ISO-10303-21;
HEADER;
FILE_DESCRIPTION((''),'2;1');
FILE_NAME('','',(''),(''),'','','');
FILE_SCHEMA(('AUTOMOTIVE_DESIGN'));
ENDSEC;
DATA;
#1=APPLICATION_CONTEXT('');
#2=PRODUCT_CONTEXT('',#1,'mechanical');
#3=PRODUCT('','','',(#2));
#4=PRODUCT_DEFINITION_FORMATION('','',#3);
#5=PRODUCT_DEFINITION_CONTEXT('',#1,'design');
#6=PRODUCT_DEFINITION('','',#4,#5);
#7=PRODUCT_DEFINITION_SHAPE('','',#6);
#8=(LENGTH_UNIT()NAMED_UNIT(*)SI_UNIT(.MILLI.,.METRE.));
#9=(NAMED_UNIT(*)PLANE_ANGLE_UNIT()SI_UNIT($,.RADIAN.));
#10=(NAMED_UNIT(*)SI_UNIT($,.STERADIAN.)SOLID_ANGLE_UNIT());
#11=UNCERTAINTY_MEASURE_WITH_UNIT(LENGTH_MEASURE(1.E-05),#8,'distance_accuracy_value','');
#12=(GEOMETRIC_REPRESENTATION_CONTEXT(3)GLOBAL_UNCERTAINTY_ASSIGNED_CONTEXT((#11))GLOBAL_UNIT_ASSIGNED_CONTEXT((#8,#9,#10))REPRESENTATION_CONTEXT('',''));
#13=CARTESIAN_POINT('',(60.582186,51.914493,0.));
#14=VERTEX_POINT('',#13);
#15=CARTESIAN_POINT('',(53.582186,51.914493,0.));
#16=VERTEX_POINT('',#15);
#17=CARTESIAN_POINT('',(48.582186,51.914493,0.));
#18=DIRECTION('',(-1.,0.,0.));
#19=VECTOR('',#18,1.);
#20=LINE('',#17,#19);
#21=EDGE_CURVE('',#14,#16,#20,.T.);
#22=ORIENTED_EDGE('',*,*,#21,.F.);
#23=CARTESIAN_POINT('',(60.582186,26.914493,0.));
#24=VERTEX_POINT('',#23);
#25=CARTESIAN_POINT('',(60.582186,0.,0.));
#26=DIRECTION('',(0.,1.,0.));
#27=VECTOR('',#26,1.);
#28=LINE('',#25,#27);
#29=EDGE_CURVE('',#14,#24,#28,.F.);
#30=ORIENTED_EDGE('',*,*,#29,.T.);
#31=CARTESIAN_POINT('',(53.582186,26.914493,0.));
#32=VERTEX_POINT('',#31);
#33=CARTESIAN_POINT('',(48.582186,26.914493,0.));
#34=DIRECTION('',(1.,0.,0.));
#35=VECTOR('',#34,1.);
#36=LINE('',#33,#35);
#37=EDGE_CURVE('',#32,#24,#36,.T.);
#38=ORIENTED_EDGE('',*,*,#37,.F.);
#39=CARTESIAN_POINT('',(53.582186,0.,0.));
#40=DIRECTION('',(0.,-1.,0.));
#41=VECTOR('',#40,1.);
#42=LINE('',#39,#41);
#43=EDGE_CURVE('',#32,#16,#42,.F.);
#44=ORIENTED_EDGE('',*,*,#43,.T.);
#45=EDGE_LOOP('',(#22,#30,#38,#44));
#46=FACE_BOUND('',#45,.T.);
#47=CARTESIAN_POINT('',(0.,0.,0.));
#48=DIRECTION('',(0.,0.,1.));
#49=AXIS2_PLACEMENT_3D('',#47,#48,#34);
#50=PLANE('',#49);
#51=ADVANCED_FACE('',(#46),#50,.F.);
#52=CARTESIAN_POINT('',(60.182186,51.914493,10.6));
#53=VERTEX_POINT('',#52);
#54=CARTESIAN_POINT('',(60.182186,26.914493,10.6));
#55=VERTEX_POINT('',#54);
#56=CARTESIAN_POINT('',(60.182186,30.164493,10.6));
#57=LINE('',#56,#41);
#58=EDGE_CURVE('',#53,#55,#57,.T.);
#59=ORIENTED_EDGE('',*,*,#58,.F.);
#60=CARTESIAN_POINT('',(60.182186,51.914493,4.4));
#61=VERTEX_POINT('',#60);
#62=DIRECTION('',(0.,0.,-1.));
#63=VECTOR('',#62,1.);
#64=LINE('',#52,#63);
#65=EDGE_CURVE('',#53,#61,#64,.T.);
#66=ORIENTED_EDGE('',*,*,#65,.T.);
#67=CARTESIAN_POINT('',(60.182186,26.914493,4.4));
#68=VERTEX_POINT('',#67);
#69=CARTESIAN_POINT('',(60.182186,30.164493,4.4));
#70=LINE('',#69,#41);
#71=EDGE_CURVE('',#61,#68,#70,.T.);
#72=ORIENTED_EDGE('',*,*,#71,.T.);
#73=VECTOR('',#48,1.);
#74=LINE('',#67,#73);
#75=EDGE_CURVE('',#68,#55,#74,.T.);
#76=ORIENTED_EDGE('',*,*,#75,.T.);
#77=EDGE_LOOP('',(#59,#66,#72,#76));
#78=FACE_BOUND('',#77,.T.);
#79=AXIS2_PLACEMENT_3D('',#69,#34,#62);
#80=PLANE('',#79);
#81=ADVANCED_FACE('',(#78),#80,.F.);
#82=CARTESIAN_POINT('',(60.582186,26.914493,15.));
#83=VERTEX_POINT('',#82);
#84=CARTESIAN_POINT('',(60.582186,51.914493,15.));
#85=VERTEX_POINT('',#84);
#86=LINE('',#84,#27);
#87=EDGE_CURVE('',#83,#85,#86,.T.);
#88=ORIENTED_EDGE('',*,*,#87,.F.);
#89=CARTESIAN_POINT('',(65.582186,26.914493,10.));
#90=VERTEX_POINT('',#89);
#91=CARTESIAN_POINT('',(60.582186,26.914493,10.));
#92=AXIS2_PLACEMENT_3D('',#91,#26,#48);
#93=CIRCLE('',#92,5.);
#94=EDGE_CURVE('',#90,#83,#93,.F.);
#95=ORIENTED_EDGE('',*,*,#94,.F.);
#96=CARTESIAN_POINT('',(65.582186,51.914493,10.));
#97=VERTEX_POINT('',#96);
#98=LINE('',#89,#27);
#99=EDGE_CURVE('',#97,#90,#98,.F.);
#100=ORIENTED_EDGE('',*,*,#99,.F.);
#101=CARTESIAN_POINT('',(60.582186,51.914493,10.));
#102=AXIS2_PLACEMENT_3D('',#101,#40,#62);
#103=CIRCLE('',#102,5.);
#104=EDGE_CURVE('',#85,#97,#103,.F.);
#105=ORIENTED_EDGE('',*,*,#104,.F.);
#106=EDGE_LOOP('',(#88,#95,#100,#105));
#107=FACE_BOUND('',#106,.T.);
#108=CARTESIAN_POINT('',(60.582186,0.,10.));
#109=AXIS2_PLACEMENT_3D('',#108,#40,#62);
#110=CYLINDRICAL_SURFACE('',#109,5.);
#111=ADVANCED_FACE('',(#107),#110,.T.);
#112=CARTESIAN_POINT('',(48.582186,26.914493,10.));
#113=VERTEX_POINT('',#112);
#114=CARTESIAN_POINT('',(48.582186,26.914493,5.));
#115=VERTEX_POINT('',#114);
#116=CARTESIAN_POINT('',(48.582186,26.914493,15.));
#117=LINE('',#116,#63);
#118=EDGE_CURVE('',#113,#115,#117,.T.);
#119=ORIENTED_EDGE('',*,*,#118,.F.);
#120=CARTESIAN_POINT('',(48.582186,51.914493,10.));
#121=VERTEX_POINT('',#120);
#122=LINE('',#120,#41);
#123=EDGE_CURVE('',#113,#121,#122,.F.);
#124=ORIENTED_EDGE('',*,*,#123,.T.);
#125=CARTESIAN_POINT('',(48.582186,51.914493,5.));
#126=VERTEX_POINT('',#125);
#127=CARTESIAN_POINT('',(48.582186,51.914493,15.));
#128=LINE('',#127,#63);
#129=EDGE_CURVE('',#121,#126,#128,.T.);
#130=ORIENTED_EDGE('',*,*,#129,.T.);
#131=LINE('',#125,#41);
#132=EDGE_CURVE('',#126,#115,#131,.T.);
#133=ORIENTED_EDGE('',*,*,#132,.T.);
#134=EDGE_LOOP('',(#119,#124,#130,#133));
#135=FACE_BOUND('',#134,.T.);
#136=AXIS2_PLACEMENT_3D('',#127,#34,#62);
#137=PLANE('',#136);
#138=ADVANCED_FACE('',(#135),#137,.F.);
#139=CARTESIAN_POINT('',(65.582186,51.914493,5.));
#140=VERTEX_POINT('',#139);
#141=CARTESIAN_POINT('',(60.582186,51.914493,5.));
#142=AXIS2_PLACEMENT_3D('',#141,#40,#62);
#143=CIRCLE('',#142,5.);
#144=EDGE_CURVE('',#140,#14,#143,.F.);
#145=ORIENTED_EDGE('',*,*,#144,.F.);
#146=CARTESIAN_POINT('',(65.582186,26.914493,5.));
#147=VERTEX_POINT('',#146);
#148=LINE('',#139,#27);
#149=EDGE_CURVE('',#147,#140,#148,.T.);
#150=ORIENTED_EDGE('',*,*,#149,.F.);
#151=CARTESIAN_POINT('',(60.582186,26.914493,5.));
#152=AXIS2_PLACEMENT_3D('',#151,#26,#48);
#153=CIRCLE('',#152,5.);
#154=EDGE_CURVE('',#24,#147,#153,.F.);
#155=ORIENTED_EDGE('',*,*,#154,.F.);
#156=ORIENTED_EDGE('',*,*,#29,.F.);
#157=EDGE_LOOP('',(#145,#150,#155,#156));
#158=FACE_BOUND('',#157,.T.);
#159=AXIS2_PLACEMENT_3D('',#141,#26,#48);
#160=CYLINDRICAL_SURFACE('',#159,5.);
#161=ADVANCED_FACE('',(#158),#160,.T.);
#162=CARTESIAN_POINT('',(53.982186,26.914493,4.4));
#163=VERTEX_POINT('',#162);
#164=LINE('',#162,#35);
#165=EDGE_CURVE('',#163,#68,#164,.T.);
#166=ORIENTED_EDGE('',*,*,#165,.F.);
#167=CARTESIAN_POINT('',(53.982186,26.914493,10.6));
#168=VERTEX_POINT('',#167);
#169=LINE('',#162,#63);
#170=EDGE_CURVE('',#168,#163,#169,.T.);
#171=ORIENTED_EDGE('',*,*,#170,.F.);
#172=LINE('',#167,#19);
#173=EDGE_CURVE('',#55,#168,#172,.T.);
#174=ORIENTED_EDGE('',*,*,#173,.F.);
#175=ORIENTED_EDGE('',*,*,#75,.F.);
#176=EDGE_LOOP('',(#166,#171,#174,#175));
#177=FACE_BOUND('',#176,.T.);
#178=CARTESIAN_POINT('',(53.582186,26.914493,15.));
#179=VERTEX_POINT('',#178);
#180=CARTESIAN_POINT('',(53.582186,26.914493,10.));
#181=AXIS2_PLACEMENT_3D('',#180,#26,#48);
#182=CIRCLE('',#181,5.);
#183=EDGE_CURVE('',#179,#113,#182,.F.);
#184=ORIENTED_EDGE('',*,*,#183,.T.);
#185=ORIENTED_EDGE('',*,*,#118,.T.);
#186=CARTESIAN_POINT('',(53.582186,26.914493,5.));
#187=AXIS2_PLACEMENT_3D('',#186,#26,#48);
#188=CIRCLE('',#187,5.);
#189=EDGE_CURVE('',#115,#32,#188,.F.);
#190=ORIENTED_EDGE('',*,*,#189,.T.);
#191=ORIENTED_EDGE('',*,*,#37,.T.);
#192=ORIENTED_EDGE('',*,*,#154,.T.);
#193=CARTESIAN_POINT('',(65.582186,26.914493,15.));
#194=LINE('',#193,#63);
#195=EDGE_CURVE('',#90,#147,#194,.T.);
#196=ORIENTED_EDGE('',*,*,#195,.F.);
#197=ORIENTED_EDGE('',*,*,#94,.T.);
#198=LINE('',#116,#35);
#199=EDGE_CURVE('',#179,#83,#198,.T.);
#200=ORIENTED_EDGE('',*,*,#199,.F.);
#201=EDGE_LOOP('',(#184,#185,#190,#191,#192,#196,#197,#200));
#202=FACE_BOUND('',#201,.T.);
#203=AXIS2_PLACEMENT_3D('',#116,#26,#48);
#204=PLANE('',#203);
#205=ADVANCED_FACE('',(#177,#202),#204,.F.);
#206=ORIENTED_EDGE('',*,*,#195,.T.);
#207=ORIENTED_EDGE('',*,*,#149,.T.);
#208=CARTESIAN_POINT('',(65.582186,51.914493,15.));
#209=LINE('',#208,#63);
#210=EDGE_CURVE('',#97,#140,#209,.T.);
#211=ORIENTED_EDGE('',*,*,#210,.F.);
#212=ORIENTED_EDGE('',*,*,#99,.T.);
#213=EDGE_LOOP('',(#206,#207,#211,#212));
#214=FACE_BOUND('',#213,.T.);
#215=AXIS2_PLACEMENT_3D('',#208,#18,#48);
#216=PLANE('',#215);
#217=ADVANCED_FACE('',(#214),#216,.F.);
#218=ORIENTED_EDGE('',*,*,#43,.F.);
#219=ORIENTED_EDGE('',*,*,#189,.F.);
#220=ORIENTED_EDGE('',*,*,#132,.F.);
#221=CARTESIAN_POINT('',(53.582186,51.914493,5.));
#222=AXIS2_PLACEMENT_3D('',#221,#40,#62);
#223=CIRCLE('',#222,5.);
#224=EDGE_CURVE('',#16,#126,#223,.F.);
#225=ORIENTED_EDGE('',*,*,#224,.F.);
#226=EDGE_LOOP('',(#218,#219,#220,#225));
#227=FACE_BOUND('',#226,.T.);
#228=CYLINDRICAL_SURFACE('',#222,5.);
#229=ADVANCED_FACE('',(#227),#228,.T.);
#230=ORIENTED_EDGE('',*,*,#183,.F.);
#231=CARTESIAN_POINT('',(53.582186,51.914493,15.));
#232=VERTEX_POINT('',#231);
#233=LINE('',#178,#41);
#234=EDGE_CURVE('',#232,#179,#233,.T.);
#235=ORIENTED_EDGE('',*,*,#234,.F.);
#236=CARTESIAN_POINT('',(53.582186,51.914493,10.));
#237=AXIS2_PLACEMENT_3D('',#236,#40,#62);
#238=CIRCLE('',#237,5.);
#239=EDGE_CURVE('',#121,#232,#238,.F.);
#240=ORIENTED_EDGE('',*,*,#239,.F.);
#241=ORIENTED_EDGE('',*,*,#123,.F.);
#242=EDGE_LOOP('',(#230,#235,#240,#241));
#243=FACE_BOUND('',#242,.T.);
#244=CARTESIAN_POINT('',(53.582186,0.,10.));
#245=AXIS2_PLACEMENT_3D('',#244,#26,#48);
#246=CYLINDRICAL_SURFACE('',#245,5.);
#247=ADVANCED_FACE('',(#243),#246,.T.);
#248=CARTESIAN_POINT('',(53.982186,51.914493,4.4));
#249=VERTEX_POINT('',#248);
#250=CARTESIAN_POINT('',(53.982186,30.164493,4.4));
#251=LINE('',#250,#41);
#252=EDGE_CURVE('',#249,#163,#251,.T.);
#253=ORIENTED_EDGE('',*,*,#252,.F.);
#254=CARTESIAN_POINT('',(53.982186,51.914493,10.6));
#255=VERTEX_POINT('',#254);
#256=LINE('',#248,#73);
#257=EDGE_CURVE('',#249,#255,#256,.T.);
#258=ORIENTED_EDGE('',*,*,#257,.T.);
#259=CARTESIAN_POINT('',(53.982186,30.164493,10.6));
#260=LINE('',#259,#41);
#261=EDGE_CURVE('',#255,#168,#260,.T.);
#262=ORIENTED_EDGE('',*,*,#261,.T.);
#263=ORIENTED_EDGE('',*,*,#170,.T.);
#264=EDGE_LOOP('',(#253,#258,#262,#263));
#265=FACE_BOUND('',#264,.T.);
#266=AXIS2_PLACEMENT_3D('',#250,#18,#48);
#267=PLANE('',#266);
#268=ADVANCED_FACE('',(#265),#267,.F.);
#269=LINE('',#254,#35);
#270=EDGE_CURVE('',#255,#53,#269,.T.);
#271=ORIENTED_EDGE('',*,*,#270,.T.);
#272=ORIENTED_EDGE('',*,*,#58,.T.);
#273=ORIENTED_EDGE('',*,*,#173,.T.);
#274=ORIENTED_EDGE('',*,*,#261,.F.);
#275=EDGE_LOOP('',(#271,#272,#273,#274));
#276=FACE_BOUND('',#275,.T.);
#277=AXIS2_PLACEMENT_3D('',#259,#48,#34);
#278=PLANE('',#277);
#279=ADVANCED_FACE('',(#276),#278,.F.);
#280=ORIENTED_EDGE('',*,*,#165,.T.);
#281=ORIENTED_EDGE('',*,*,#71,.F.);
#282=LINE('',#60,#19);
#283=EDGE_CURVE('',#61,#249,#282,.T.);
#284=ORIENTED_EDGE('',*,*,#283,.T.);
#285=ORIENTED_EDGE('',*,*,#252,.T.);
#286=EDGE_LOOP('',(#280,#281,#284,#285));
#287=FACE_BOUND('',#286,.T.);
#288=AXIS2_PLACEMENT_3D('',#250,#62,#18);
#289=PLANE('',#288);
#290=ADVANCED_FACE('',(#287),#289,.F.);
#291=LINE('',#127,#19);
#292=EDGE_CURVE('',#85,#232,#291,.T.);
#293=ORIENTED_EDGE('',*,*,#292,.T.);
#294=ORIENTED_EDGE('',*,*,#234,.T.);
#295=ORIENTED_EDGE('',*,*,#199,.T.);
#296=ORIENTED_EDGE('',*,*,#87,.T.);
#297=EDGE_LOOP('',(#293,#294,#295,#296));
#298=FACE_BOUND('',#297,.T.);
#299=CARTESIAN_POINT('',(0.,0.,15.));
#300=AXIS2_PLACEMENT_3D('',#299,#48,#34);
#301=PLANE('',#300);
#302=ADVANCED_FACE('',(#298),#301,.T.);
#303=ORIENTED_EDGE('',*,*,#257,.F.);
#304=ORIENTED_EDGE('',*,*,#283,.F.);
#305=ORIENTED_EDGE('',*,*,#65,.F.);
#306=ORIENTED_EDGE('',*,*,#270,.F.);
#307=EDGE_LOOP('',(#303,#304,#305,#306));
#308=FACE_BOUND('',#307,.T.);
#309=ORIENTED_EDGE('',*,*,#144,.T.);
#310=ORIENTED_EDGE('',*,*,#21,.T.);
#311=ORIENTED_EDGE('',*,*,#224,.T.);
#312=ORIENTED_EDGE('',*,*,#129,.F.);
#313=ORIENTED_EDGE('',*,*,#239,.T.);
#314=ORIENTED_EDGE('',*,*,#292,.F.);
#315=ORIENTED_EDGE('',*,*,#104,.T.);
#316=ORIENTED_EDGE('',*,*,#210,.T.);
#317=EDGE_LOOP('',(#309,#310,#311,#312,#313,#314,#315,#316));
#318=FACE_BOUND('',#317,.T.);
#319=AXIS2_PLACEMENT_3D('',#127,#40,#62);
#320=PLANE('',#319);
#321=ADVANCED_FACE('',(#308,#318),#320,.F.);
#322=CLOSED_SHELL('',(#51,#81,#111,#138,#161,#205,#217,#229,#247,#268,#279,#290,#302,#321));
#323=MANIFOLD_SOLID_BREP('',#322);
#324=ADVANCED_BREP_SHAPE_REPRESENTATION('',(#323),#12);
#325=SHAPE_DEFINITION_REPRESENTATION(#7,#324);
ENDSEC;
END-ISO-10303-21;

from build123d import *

# Parameters (mm, degrees)
SKETCH1_W           = 17
SKETCH1_H           = 25
BOSS_EXTRUDE1_DEPTH = 15
SKETCH2_W           = 6.2
SKETCH2_H           = 6.2
CUT_EXTRUDE1_DEPTH  = 3.25
SKETCH3_W           = 6.2
SKETCH3_H           = 6.2
CUT_EXTRUDE2_DEPTH  = 3.25
FILLET1_R           = 5
SKETCH6_W           = 6.2
SKETCH6_H           = 6.2
CUT_EXTRUDE3_DEPTH  = 71.704212299


with BuildPart() as part:
    # Sketch1 → Boss-Extrude1 (new body)
    with BuildSketch(Plane.XY):
        with Locations((57.082186124, 39.41449257)):
            Rectangle(SKETCH1_W, SKETCH1_H)
    extrude(amount=BOSS_EXTRUDE1_DEPTH)

    # Sketch2 → Cut-Extrude1 (cut)
    with BuildSketch(Plane.XZ.offset(-26.91449257)):
        with Locations((57.082186124, 7.5)):
            Rectangle(SKETCH2_W, SKETCH2_H)
    extrude(amount=-CUT_EXTRUDE1_DEPTH, mode=Mode.SUBTRACT)

    # Sketch3 → Cut-Extrude2 (cut)
    with BuildSketch(Plane(origin=(0, 51.91449257, 0), x_dir=(1, 0, 0), z_dir=(0, 1, 0))):
        with Locations((57.082186124, -7.5)):
            Rectangle(SKETCH3_W, SKETCH3_H)
    extrude(amount=-CUT_EXTRUDE2_DEPTH, mode=Mode.SUBTRACT)

    # Fillet1
    fillet1_edges = [part.edges().sort_by_distance(p)[0] for p in [
        (48.582186124, 39.41449257, 15),
        (65.582186124, 39.41449257, 15),
        (48.582186124, 39.41449257, 0),
        (65.582186124, 39.41449257, 0),
    ]]
    fillet(fillet1_edges, radius=FILLET1_R)

    # Sketch6 → Cut-Extrude3 (cut, through all)
    with BuildSketch(Plane(origin=(0, 48.66449257, 0), x_dir=(1, 0, 0), z_dir=(0, 1, 0))):
        with Locations((57.082186124, -7.5)):
            Rectangle(SKETCH6_W, SKETCH6_H)
    extrude(amount=-CUT_EXTRUDE3_DEPTH, mode=Mode.SUBTRACT)


solid = part.part
